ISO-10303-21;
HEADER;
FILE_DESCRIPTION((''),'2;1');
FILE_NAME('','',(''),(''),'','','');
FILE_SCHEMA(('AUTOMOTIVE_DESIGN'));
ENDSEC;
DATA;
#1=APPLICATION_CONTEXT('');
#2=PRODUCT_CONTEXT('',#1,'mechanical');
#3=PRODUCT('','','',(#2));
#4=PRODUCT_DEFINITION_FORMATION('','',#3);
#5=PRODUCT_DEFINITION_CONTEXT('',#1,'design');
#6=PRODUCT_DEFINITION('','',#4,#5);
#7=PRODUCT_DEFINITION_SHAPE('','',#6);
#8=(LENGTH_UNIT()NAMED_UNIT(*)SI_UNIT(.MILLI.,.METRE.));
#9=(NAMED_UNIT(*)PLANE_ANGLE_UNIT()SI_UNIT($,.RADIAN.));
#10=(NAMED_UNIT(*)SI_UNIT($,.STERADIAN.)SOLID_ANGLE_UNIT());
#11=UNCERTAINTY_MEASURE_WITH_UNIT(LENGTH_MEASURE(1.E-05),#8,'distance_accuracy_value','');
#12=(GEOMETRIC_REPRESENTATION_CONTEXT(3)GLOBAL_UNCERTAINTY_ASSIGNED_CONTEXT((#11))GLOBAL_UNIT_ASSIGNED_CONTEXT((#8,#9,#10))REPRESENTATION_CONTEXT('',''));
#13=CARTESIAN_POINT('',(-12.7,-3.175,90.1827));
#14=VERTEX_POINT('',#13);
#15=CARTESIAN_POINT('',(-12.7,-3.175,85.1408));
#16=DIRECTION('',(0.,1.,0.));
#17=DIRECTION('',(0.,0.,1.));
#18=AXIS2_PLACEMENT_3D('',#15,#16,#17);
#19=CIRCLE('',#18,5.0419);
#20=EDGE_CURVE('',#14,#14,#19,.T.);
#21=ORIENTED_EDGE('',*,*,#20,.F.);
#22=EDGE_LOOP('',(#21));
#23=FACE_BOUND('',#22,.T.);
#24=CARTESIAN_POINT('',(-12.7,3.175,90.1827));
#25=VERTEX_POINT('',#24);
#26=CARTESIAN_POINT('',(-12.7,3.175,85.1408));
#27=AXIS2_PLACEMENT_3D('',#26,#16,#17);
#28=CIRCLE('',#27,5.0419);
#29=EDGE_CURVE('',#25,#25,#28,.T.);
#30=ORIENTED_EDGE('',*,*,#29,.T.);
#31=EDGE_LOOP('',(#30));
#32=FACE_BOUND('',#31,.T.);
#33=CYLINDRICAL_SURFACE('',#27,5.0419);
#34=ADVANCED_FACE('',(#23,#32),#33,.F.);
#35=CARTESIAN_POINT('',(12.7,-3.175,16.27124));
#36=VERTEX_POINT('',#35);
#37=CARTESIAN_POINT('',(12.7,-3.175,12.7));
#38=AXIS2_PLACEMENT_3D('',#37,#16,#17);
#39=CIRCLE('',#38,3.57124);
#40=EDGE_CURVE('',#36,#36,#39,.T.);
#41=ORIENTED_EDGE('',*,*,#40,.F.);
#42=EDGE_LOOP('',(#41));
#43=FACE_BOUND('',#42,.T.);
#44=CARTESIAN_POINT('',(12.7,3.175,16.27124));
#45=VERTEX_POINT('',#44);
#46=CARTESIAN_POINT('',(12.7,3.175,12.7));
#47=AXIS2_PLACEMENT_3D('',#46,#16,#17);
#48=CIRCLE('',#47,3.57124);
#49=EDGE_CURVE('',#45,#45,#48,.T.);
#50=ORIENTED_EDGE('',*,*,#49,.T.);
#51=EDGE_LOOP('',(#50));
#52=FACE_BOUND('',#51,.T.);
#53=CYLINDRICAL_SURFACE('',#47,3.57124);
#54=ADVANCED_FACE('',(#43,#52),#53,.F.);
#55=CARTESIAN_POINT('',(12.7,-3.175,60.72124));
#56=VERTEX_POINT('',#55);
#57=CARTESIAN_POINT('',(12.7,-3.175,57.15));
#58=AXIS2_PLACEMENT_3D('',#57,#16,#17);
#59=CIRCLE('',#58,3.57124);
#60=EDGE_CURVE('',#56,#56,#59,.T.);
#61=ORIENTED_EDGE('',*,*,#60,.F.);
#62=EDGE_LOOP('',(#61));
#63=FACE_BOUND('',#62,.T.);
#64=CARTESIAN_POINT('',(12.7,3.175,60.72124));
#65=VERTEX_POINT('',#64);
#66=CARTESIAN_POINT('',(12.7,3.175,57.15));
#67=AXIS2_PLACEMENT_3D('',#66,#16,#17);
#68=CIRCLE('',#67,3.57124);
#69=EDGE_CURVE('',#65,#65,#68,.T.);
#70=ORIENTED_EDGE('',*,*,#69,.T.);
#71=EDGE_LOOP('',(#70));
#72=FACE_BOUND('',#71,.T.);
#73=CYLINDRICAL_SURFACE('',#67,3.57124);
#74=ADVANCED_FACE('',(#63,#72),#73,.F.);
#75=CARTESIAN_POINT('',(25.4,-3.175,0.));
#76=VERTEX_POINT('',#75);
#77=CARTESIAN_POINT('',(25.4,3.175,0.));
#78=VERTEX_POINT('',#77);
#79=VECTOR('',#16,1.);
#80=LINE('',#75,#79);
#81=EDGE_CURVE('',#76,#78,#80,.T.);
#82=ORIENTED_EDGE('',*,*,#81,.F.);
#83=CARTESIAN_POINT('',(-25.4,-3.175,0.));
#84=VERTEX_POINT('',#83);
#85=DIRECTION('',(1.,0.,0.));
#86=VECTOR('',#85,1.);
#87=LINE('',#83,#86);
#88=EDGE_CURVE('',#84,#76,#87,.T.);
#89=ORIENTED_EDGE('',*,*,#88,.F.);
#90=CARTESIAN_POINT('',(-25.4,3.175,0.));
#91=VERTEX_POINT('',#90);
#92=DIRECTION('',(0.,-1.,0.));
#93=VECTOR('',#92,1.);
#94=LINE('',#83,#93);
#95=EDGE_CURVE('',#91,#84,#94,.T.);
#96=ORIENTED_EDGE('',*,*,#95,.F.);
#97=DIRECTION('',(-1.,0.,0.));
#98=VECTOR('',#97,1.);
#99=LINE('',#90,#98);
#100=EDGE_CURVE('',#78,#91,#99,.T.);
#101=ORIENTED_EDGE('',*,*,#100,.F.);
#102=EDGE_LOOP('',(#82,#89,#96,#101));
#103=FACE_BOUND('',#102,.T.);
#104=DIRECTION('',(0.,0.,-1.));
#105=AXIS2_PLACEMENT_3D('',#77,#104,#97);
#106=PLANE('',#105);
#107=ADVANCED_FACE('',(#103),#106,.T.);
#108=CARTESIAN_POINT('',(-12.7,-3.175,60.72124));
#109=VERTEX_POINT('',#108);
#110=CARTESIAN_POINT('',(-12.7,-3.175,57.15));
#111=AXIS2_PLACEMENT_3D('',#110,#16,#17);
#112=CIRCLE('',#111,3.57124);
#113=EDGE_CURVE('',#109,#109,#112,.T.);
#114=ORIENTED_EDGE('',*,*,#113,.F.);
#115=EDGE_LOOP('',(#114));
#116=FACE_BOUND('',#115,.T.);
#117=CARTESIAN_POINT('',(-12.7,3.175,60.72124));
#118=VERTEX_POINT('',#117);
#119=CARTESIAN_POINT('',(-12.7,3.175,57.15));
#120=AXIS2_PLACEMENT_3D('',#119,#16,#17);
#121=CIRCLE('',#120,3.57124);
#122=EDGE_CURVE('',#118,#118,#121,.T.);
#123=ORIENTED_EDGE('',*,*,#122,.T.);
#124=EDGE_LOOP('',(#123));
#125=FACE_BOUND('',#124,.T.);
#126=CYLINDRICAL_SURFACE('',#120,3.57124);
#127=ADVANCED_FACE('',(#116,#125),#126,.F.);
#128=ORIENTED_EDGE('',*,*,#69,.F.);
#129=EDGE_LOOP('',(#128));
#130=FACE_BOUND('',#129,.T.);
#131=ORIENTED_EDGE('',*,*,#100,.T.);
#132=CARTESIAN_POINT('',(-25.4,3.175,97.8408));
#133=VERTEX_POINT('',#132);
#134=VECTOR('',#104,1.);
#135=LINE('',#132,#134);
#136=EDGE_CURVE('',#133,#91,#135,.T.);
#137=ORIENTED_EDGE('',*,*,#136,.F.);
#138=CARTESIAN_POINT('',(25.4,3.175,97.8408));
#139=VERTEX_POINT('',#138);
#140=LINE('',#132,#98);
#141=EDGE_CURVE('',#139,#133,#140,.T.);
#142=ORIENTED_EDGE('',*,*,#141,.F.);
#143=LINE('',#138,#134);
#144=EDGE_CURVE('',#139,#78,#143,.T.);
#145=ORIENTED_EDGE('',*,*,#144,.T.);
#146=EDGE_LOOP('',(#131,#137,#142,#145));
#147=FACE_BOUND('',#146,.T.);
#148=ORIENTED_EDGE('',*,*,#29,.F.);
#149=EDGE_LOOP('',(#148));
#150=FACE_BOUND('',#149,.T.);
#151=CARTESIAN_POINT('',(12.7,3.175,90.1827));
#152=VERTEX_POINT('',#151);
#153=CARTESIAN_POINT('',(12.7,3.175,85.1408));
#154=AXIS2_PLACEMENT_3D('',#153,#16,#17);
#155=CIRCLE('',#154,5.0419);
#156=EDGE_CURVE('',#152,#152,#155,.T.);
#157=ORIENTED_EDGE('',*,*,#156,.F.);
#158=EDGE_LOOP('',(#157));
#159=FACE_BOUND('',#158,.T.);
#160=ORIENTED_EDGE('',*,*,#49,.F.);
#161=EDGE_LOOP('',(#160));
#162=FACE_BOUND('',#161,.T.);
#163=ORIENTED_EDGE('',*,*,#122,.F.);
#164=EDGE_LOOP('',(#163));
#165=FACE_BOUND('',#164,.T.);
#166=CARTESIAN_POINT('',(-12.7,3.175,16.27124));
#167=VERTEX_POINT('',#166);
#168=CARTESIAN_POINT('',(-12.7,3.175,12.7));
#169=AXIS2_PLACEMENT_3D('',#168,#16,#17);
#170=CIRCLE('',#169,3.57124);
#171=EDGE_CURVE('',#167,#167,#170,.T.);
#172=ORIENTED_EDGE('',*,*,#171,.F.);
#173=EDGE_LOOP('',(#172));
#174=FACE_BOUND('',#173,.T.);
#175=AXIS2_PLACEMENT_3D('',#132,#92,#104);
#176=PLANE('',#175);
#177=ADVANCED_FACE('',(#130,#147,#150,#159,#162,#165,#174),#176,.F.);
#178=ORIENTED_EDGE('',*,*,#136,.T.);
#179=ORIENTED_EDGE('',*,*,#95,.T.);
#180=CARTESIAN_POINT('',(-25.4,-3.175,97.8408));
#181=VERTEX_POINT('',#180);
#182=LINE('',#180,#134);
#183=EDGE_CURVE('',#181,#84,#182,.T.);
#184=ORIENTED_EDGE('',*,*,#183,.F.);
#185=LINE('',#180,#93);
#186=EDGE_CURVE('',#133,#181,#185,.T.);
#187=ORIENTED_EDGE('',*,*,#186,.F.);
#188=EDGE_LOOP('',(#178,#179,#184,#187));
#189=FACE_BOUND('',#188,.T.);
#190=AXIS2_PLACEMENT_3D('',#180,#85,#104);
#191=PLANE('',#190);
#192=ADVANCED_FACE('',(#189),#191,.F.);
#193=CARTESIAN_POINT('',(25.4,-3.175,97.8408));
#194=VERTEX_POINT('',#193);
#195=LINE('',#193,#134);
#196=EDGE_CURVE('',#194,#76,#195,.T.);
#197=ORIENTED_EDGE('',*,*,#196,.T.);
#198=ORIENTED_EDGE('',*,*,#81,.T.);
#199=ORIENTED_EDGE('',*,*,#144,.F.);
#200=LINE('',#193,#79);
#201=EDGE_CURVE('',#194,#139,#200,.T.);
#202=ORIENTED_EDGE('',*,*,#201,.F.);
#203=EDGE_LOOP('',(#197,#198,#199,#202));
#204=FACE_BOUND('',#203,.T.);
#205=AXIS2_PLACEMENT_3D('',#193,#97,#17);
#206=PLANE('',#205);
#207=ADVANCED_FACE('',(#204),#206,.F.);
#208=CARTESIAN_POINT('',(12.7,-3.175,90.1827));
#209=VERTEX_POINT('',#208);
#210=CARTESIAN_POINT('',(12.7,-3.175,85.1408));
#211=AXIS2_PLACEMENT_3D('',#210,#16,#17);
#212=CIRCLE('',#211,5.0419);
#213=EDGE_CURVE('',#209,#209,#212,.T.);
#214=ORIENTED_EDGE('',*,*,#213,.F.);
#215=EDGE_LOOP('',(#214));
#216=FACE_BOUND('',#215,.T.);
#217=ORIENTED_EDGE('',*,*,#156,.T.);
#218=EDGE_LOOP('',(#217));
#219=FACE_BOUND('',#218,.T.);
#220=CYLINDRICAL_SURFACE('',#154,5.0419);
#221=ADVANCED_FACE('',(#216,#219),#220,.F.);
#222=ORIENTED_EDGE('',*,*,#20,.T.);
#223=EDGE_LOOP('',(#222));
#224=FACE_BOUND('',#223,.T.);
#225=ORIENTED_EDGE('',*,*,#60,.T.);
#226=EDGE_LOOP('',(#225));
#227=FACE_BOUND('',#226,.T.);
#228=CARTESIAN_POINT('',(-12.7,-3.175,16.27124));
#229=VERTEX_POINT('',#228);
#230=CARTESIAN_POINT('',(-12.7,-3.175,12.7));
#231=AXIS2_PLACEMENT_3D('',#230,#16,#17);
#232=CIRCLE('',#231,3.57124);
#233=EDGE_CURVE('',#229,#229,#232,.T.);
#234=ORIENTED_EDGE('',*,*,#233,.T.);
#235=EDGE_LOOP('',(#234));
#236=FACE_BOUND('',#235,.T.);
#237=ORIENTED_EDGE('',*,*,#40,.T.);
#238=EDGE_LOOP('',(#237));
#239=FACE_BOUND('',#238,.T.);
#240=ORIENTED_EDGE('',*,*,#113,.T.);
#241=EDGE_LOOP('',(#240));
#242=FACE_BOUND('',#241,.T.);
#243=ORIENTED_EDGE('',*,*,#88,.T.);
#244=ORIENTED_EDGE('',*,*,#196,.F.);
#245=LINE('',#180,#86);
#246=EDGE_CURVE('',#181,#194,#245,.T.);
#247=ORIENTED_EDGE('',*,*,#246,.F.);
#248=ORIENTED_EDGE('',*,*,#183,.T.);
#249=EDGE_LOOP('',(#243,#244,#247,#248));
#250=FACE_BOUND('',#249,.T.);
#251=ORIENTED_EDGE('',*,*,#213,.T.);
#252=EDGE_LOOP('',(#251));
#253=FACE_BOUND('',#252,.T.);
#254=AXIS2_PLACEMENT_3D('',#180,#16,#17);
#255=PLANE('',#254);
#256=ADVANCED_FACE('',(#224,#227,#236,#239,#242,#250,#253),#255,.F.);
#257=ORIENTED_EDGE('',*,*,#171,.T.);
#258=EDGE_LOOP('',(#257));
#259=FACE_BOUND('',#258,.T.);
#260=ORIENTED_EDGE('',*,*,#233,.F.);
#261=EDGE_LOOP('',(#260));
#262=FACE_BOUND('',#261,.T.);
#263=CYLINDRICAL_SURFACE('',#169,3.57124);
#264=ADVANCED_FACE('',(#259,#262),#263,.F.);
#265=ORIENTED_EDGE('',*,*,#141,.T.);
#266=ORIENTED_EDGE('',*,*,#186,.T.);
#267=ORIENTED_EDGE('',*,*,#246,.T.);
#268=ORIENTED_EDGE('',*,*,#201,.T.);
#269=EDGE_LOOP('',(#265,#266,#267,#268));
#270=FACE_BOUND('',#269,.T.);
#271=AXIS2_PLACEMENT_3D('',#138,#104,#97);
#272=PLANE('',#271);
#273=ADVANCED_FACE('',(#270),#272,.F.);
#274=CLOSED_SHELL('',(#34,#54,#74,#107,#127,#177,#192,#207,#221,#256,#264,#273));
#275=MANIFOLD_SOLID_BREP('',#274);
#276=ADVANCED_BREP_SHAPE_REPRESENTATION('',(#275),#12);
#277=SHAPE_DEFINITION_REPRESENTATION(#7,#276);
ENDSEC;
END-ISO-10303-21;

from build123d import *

# Parameters (mm, degrees)
SKETCH1_W                        = 50.8
SKETCH1_H                        = 6.35
EXTRUDE1_DEPTH                   = 97.8408
F_1_4_CLEARANCE_HOLE1_AT_2_COUNT = 2
F_1_4_CLEARANCE_HOLE1_AT_2_PITCH = 44.45


with BuildPart() as part:
    # Sketch1 → Extrude1 (new body)
    with BuildSketch(Plane.XY):
        Rectangle(SKETCH1_W, SKETCH1_H)
    extrude(amount=EXTRUDE1_DEPTH)

    # Sketch4 → 3/8 Clearance Hole1 (revolve, cut)
    with BuildSketch(Plane(origin=(12.7, 3.175, 85.1408), x_dir=(0, 0, 1), z_dir=(1, 0, 0))):
        Polygon((0, 0), (0, 19.031479155), (5.0419, 16.002), (5.0419, 0), align=None)
    f_3_8_clearance_hole1 = revolve(axis=Axis((12.7, 9.525, 85.1408), (0, -1, 0)), mode=Mode.SUBTRACT)

    # Sketch5 → 1/4 Clearance Hole1 (revolve, cut)
    with BuildSketch(Plane(origin=(12.7, 3.175, 57.15), x_dir=(0, 0, 1), z_dir=(1, 0, 0))):
        Polygon((0, 0), (0, 18.147817477), (3.57124, 16.002), (3.57124, 0), align=None)
    f_1_4_clearance_hole1 = revolve(axis=Axis((12.7, 9.525, 57.15), (0, -1, 0)), mode=Mode.SUBTRACT)

    # 1/4 Clearance Hole1 at 2: 1/4 Clearance Hole1 ×2
    with Locations(*[(0, 0, -i * F_1_4_CLEARANCE_HOLE1_AT_2_PITCH) for i in range(1, F_1_4_CLEARANCE_HOLE1_AT_2_COUNT)]):
        add(f_1_4_clearance_hole1, mode=Mode.SUBTRACT)

    # Mirror1: 3/8 Clearance Hole1, 1/4 Clearance Hole1 across plane
    add(f_3_8_clearance_hole1.mirror(Plane(origin=(0, 0, 0), x_dir=(0, 0, 1), z_dir=(1, 0, 0))), mode=Mode.SUBTRACT)
    add(f_1_4_clearance_hole1.mirror(Plane(origin=(0, 0, 0), x_dir=(0, 0, 1), z_dir=(1, 0, 0))), mode=Mode.SUBTRACT)

    # Mirror1 copy 1 sketch → Mirror1 copy 1 (revolve, cut)
    with BuildSketch(Plane(origin=(-12.7, 3.175, 12.7), x_dir=(0, 0, 1), z_dir=(-1, 0, 0))):
        Polygon((0, 0), (0, -18.147817477), (3.57124, -16.002), (3.57124, 0), align=None)
    revolve(axis=Axis((-12.7, 9.525, 12.7), (0, 1, 0)), mode=Mode.SUBTRACT)


solid = part.part
